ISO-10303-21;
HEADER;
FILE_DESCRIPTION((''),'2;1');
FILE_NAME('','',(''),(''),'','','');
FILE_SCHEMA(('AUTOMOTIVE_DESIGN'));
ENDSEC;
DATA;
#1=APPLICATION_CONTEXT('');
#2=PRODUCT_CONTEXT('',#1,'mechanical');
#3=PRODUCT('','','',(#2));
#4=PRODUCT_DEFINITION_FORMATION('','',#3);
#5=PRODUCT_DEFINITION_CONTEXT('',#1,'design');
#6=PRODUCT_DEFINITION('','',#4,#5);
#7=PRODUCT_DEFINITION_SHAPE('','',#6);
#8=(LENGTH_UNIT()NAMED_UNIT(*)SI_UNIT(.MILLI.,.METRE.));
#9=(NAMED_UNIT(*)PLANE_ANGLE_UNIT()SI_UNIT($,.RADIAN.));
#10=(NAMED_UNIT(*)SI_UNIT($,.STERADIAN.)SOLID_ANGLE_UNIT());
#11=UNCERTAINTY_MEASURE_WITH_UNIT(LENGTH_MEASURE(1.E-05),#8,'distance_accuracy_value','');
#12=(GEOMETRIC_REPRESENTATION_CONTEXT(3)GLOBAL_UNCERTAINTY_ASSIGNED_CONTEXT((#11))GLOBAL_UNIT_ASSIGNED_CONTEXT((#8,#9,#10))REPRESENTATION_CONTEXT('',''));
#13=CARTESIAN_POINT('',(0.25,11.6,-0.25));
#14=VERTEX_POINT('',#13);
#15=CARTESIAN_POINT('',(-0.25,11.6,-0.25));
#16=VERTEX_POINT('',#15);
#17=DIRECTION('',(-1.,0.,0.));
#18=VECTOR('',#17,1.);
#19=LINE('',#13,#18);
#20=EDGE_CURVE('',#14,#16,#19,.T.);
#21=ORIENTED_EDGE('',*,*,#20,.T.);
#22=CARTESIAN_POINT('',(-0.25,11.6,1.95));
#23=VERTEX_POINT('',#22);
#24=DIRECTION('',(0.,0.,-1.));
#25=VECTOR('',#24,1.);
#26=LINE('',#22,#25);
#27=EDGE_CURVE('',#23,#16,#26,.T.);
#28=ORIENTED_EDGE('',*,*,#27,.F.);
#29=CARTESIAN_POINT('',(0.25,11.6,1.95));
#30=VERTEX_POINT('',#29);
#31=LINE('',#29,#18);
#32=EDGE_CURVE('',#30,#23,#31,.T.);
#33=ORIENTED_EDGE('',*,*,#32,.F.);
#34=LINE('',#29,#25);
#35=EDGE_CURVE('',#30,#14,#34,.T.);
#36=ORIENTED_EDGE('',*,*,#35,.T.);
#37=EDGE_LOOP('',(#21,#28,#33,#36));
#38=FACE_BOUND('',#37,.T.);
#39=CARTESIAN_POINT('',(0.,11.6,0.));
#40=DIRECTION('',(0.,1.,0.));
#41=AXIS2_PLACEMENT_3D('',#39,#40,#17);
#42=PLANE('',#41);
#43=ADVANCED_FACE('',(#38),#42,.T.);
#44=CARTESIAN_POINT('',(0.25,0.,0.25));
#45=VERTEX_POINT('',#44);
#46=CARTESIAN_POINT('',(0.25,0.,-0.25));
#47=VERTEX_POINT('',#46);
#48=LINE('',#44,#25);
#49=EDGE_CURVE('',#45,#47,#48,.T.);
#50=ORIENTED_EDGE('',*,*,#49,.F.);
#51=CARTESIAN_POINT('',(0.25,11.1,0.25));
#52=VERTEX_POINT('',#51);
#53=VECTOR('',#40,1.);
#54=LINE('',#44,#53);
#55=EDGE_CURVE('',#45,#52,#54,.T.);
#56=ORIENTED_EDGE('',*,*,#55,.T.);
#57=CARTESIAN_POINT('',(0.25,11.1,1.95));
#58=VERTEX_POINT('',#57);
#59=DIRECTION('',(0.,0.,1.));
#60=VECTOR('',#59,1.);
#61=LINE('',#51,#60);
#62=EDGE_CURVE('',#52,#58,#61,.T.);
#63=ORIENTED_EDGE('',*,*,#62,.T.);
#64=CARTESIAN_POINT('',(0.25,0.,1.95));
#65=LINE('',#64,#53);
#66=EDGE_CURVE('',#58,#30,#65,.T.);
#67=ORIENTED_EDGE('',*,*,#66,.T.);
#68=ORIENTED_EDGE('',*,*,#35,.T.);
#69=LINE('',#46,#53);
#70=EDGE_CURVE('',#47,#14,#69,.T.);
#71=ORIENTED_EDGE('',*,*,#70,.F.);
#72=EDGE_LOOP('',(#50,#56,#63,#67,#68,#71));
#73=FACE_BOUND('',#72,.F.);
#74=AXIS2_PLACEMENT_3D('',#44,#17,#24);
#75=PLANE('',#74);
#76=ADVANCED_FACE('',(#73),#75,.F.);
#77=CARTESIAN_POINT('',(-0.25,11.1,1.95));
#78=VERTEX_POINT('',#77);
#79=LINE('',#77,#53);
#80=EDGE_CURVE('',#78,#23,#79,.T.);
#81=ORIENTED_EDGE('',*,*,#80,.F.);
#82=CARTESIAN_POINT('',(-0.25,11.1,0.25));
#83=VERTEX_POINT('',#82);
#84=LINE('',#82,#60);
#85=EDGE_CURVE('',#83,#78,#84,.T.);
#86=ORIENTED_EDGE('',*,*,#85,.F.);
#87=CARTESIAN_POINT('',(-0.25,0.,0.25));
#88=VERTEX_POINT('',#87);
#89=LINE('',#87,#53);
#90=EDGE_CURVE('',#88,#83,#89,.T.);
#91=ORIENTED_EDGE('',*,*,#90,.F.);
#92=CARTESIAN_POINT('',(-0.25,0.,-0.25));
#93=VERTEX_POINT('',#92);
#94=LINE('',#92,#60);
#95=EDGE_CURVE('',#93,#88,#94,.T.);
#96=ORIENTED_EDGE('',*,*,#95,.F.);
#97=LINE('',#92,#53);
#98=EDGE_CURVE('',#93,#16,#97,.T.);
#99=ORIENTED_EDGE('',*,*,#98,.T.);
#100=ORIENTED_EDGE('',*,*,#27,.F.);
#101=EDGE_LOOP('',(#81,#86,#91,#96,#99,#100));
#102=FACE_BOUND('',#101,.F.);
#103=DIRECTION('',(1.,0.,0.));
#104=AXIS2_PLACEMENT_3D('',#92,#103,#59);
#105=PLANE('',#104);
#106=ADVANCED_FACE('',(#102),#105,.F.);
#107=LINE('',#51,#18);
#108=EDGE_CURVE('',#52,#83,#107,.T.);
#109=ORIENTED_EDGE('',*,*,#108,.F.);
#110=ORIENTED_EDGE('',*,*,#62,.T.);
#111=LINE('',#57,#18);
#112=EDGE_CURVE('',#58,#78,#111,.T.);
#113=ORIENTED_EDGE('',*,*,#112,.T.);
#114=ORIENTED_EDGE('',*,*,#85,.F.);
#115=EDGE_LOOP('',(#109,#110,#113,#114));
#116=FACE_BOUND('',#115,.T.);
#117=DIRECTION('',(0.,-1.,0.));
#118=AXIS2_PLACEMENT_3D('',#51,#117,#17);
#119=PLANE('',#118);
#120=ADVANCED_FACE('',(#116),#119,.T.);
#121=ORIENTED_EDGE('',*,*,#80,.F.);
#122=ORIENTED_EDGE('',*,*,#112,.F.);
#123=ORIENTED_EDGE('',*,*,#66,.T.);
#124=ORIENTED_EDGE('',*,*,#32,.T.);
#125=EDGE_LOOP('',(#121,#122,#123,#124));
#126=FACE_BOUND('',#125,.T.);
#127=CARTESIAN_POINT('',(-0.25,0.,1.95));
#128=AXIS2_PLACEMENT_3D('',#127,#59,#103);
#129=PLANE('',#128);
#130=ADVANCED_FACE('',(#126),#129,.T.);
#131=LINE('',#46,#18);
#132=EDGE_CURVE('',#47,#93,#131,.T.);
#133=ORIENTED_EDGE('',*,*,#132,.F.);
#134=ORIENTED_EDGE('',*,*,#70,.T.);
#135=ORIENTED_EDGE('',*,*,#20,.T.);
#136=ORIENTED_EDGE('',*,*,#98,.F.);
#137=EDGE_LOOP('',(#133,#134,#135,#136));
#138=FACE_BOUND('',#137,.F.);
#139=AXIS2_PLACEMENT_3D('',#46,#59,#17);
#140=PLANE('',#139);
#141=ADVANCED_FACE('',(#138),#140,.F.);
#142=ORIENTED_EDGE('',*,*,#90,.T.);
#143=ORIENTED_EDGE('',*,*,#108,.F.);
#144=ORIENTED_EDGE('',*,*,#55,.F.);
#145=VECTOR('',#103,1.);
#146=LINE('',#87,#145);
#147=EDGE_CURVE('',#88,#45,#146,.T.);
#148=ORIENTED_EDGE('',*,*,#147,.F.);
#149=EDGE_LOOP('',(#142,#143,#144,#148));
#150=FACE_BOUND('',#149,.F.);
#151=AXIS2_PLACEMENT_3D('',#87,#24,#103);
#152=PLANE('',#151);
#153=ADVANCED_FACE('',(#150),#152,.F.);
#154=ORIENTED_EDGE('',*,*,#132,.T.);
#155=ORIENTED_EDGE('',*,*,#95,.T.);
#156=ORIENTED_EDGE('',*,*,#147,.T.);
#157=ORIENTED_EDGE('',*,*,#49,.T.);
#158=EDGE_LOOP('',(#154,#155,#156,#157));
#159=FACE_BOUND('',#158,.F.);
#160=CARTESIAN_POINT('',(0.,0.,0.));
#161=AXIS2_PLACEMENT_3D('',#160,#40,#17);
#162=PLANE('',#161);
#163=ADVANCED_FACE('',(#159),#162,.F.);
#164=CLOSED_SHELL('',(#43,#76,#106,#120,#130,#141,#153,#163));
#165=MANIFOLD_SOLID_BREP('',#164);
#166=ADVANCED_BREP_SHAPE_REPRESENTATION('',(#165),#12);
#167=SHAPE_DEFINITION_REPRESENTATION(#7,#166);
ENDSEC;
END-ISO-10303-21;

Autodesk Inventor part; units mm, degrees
ref_plane "YZ Plane" through (0, 0, 0) normal (1, 0, 0) x (0, 1, 0)
ref_plane "XZ Plane" through (0, 0, 0) normal (0, 1, 0) x (-1, 0, 0)
ref_plane "XY Plane" through (0, 0, 0) normal (0, 0, 1) x (1, 0, 0)
sketch "Sketch1" plane through (0, 0, 0) normal (0, 1, 0) x (-1, 0, 0)
  line L0 (0.25, 0.25) -> (-0.25, 0.25)
  line L1 (-0.25, 0.25) -> (-0.25, -0.25)
  line L2 (-0.25, -0.25) -> (0.25, -0.25)
  line L3 (0.25, -0.25) -> (0.25, 0.25)
  line L4 (0.25, 0.25) -> (-0.25, -0.25) construction
  line L5 (-0.25, 0.25) -> (0.25, -0.25) construction
  point P0 (0, 0)
  dimension "d0" = 0.5
  dimension "d1" = 0.5
extrude "Extrusion1" add sketch "Sketch1" along normal blind 11.6
sketch "Sketch2" plane through (-0.25, 0, 0.25) normal (0, 0, 1) x (1, 0, 0)
  line L0 (0.5, 11.6) -> (0, 11.6) projected
  line L1 (0.5, 0) -> (0.5, 11.6) projected
  line L2 (0, 11.6) -> (0.5, 11.6)
  line L3 (0.5, 11.6) -> (0.5, 11.1)
  line L4 (0.5, 11.1) -> (0, 11.1)
  line L5 (0, 11.1) -> (0, 11.6)
  point P0 (0.25, 0)
  dimension "d4" = 0.5
extrude "Extrusion2" add sketch "Sketch2" along normal blind 1.7
properties part number "jst-ph-5p_wire"
